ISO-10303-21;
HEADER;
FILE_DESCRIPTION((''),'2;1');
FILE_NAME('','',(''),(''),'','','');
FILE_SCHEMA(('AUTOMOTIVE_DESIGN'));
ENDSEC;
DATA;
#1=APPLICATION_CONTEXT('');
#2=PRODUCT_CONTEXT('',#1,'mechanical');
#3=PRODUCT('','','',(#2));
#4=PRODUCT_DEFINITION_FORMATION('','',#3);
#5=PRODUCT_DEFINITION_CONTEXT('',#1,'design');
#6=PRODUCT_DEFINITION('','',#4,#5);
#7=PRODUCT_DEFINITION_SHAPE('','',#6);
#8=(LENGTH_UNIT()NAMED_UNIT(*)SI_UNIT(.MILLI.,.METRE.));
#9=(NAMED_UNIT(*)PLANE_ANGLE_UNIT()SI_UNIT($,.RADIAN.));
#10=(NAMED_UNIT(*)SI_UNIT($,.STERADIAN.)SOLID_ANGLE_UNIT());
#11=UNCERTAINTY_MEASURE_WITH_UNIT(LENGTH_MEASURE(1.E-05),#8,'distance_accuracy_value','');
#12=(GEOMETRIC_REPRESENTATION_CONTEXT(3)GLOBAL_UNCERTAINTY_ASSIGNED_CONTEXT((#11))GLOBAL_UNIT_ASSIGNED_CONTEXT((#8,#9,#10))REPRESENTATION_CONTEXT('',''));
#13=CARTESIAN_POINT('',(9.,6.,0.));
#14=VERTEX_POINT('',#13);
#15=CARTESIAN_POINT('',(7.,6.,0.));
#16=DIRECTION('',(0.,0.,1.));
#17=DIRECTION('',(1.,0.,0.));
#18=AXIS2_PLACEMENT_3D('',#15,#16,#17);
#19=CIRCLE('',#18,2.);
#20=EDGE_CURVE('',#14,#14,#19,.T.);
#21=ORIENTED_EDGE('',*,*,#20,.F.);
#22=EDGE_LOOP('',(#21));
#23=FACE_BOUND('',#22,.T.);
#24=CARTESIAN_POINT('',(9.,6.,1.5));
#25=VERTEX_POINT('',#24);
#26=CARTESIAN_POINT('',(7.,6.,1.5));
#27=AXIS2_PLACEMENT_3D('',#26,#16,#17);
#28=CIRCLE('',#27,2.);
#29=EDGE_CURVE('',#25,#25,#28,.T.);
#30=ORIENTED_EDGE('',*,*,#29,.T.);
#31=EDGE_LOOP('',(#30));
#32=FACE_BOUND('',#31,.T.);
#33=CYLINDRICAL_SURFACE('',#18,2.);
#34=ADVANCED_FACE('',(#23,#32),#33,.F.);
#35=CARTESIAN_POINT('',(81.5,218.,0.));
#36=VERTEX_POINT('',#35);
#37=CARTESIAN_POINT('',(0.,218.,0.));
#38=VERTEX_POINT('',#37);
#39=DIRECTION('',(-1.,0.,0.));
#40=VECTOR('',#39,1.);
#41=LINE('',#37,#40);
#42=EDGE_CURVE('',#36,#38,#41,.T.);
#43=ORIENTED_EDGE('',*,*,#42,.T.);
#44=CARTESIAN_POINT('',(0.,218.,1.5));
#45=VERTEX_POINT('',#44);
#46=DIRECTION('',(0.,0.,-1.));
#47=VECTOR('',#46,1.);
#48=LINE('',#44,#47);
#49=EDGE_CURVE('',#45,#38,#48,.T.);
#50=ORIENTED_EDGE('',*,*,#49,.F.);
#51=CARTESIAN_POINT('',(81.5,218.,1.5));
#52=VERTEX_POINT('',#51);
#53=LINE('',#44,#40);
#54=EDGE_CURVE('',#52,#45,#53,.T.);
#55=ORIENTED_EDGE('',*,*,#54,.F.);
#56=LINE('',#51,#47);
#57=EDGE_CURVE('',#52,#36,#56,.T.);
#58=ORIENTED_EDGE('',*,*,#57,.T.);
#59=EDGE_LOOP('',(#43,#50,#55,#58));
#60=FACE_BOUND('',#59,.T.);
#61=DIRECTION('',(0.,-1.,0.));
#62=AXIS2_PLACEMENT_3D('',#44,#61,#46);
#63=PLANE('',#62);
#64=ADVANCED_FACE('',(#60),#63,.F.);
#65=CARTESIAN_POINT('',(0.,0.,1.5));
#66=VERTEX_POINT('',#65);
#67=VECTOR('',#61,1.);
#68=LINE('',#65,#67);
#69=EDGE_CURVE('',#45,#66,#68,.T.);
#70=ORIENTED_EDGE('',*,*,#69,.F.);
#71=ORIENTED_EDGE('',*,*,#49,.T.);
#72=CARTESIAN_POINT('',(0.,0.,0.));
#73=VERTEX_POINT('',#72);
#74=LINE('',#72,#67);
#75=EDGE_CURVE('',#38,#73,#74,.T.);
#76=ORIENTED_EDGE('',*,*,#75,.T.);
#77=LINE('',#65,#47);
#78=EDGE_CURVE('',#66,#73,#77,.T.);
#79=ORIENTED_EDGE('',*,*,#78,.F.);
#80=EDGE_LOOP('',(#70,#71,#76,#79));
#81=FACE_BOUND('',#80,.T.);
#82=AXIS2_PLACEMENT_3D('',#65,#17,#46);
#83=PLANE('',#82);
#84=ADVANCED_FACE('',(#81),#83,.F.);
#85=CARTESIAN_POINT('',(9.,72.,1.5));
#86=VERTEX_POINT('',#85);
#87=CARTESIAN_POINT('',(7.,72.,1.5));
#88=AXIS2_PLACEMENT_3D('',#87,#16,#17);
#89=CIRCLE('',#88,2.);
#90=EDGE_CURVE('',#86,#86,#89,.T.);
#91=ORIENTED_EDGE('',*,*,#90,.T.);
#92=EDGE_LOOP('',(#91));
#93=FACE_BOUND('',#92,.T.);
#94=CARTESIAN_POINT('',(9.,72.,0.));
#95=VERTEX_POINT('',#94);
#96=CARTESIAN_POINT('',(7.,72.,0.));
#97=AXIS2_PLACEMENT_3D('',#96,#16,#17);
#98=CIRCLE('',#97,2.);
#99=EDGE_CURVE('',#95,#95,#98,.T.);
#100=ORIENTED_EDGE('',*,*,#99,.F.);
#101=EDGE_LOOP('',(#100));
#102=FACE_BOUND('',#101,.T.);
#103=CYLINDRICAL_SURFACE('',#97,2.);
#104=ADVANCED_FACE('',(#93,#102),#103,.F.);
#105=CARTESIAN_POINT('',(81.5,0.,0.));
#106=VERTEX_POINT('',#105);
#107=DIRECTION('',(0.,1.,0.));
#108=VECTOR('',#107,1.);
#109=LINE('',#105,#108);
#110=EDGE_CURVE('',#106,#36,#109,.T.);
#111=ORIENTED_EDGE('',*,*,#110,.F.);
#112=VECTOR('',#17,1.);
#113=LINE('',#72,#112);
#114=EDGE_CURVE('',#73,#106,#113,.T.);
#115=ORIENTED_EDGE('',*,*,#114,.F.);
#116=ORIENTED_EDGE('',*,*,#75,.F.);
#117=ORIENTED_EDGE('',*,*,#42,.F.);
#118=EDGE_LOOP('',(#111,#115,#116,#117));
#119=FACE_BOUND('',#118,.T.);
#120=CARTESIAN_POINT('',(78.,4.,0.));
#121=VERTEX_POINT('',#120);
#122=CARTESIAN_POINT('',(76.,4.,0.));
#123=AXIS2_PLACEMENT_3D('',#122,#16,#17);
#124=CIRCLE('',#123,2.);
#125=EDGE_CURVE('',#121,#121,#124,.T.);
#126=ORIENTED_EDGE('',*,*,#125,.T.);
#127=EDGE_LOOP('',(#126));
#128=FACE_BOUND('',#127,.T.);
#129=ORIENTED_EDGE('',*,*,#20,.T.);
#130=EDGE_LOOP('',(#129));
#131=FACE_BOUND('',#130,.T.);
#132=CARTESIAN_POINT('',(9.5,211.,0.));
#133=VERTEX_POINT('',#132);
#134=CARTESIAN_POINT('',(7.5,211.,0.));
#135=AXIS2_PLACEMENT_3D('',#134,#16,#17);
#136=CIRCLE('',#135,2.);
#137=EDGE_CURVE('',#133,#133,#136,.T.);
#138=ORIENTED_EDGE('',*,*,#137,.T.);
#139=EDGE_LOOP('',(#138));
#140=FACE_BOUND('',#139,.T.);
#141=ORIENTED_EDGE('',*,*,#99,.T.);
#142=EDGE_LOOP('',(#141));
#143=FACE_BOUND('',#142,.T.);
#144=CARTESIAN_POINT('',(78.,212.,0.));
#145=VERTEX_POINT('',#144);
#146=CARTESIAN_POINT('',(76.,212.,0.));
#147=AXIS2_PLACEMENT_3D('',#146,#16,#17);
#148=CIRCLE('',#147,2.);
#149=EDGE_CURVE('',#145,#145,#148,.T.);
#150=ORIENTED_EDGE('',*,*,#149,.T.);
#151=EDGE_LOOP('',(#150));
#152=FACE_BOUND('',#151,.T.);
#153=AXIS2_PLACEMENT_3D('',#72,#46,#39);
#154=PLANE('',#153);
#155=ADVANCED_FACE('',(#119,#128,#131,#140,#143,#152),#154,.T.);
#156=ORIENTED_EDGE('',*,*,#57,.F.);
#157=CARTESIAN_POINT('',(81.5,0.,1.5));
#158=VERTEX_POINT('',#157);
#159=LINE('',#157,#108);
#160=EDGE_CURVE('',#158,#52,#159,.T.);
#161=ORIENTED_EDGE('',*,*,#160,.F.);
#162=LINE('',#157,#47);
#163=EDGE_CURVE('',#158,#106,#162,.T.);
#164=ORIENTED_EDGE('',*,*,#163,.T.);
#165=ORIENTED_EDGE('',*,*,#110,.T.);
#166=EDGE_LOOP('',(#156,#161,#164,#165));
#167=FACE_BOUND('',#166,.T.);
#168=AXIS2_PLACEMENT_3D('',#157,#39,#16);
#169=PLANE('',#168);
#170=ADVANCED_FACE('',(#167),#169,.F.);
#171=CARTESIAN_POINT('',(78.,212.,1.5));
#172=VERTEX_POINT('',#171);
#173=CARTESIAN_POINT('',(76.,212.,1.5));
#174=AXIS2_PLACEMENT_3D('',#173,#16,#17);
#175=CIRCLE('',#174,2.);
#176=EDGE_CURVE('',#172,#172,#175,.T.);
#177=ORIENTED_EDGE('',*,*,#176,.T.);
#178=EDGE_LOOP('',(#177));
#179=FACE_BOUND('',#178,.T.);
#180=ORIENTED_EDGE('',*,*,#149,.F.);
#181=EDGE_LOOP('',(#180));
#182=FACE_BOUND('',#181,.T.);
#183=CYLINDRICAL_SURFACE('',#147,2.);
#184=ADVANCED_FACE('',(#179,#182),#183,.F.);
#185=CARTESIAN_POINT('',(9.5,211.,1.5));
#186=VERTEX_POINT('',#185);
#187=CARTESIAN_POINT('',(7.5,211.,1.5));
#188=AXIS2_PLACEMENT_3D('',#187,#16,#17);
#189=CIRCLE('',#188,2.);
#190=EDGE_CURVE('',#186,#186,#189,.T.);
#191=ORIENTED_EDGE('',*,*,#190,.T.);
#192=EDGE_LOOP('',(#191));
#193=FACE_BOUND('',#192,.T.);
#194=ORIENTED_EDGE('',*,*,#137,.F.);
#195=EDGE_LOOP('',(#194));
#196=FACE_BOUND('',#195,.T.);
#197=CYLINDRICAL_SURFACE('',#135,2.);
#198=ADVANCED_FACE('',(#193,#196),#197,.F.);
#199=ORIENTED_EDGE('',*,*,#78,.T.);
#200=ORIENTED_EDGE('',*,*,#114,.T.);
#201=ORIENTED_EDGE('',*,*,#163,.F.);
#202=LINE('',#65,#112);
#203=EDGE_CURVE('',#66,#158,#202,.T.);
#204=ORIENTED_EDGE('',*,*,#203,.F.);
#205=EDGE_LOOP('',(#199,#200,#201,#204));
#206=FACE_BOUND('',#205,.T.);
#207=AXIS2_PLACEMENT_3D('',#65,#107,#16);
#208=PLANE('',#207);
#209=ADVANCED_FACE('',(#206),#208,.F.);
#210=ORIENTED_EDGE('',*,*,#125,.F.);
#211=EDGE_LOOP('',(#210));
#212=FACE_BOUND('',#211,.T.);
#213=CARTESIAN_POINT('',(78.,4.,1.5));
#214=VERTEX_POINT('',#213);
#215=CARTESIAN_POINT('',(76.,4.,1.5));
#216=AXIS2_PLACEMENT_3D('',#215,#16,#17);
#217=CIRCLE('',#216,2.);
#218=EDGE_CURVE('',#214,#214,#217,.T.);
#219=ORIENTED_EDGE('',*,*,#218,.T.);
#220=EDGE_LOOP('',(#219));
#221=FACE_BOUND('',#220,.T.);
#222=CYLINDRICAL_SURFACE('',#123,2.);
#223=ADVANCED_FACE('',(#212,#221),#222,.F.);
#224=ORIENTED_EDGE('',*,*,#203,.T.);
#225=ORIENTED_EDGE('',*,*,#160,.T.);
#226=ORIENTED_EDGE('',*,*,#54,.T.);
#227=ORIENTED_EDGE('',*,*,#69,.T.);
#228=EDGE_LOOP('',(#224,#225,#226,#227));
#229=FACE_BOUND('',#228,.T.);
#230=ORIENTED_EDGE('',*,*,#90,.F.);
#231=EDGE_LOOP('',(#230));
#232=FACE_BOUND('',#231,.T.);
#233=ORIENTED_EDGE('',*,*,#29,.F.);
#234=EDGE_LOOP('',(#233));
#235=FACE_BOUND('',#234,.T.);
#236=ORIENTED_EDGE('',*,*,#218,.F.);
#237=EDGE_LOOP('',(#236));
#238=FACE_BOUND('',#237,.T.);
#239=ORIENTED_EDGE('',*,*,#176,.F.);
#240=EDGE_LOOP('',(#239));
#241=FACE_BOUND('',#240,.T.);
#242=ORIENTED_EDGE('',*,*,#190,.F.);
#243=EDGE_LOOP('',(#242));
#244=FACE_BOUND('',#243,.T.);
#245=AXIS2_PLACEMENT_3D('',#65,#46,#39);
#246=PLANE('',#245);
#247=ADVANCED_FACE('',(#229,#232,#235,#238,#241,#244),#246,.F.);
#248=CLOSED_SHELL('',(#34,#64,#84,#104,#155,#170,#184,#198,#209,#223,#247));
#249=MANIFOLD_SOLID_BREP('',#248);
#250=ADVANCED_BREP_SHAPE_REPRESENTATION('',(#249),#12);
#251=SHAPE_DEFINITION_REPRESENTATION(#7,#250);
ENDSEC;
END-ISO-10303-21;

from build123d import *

# Parameters (mm, degrees)
MAIN_SKETCH_W = 81.5
MAIN_SKETCH_H = 218
MAIN_DEPTH    = 1.5
HOLE_SKETCH_R = 2
HOLE_DEPTH    = 2.5


with BuildPart() as part:
    # Main-Sketch → Main (new body)
    with BuildSketch(Plane.XY):
        with Locations((40.75, 109)):
            Rectangle(MAIN_SKETCH_W, MAIN_SKETCH_H)
    extrude(amount=MAIN_DEPTH)

    # Hole-Sketch → Hole (cut, through all)
    with BuildSketch(Plane.XY.offset(1.5)):
        with Locations((7.5, 211)):
            Circle(HOLE_SKETCH_R)
        with Locations((76, 212)):
            Circle(HOLE_SKETCH_R)
        with Locations((7, 6)):
            Circle(HOLE_SKETCH_R)
        with Locations((76, 4)):
            Circle(HOLE_SKETCH_R)
        with Locations((7, 72)):
            Circle(HOLE_SKETCH_R)
    extrude(amount=-HOLE_DEPTH, mode=Mode.SUBTRACT)


solid = part.part
